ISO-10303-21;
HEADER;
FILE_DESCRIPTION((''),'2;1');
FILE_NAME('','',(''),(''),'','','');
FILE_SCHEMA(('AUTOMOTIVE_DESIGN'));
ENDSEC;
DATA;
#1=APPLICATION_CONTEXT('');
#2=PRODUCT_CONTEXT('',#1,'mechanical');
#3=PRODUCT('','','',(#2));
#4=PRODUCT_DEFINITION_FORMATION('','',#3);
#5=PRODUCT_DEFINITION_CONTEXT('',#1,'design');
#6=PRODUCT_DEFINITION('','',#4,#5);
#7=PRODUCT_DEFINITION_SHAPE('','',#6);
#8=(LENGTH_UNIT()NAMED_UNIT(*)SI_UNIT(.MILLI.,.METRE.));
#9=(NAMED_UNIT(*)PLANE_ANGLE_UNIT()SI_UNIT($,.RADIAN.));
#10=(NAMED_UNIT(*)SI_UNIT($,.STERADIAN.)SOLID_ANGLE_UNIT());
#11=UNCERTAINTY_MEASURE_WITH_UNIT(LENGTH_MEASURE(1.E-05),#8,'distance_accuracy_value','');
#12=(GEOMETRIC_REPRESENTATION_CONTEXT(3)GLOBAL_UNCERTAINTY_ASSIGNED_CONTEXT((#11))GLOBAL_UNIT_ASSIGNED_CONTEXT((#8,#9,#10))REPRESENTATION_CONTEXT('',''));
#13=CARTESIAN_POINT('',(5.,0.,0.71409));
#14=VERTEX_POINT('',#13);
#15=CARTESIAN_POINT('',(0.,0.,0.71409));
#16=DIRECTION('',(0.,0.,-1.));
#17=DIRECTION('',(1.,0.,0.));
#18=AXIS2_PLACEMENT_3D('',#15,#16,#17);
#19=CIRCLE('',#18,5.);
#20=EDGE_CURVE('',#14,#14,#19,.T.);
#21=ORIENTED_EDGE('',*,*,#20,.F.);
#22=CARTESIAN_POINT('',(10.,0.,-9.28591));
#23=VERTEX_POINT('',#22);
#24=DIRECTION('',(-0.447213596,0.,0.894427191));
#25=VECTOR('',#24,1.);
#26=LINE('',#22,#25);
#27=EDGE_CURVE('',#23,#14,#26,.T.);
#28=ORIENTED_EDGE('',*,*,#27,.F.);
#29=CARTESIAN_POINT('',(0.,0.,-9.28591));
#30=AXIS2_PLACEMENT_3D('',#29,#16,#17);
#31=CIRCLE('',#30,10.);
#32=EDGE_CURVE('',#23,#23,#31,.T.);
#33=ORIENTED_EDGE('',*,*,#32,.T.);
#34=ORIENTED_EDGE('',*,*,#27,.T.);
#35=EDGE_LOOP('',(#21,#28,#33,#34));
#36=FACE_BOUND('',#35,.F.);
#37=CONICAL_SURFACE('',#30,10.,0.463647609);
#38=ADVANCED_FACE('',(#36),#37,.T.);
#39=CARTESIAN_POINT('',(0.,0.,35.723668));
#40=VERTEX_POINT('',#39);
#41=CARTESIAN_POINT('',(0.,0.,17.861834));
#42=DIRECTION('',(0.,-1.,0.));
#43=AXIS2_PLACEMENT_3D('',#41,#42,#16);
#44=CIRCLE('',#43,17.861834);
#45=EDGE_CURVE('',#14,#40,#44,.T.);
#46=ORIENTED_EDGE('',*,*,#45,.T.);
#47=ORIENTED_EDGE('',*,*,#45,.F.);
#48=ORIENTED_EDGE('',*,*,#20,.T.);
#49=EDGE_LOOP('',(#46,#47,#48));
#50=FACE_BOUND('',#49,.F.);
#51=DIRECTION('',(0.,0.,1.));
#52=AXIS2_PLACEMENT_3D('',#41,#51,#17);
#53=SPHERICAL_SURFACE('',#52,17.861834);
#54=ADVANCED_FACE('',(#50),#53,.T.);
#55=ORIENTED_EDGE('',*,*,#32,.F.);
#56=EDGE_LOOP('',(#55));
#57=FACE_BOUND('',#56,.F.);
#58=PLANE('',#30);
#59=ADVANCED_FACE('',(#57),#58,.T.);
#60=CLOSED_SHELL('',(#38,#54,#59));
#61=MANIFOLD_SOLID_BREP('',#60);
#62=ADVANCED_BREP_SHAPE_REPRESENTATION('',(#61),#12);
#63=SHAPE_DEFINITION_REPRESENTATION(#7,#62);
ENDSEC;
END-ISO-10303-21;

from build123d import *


with BuildPart() as f1:
    # F0 (on Front) → F1 (revolve)
    with BuildSketch(Plane.XZ):
        with BuildLine():
            Line((0, 35.723668), (0, 0))
            ThreePointArc((0, 0), (17.861834, 17.861834), (0, 35.723668))
        make_face()
    revolve(axis=Axis((0, 0, 17.861834), (0, 0, -1)))

    # F2 (on Front) → F3 (revolve)
    with BuildSketch(Plane.XZ):
        Polygon((10, -9.28591), (5, 0.71409), (0, 0.71409), (0, -9.28591), align=None)
    revolve(axis=Axis((0, 0, -4.28591), (0, 0, -1)))


solid = f1.part
